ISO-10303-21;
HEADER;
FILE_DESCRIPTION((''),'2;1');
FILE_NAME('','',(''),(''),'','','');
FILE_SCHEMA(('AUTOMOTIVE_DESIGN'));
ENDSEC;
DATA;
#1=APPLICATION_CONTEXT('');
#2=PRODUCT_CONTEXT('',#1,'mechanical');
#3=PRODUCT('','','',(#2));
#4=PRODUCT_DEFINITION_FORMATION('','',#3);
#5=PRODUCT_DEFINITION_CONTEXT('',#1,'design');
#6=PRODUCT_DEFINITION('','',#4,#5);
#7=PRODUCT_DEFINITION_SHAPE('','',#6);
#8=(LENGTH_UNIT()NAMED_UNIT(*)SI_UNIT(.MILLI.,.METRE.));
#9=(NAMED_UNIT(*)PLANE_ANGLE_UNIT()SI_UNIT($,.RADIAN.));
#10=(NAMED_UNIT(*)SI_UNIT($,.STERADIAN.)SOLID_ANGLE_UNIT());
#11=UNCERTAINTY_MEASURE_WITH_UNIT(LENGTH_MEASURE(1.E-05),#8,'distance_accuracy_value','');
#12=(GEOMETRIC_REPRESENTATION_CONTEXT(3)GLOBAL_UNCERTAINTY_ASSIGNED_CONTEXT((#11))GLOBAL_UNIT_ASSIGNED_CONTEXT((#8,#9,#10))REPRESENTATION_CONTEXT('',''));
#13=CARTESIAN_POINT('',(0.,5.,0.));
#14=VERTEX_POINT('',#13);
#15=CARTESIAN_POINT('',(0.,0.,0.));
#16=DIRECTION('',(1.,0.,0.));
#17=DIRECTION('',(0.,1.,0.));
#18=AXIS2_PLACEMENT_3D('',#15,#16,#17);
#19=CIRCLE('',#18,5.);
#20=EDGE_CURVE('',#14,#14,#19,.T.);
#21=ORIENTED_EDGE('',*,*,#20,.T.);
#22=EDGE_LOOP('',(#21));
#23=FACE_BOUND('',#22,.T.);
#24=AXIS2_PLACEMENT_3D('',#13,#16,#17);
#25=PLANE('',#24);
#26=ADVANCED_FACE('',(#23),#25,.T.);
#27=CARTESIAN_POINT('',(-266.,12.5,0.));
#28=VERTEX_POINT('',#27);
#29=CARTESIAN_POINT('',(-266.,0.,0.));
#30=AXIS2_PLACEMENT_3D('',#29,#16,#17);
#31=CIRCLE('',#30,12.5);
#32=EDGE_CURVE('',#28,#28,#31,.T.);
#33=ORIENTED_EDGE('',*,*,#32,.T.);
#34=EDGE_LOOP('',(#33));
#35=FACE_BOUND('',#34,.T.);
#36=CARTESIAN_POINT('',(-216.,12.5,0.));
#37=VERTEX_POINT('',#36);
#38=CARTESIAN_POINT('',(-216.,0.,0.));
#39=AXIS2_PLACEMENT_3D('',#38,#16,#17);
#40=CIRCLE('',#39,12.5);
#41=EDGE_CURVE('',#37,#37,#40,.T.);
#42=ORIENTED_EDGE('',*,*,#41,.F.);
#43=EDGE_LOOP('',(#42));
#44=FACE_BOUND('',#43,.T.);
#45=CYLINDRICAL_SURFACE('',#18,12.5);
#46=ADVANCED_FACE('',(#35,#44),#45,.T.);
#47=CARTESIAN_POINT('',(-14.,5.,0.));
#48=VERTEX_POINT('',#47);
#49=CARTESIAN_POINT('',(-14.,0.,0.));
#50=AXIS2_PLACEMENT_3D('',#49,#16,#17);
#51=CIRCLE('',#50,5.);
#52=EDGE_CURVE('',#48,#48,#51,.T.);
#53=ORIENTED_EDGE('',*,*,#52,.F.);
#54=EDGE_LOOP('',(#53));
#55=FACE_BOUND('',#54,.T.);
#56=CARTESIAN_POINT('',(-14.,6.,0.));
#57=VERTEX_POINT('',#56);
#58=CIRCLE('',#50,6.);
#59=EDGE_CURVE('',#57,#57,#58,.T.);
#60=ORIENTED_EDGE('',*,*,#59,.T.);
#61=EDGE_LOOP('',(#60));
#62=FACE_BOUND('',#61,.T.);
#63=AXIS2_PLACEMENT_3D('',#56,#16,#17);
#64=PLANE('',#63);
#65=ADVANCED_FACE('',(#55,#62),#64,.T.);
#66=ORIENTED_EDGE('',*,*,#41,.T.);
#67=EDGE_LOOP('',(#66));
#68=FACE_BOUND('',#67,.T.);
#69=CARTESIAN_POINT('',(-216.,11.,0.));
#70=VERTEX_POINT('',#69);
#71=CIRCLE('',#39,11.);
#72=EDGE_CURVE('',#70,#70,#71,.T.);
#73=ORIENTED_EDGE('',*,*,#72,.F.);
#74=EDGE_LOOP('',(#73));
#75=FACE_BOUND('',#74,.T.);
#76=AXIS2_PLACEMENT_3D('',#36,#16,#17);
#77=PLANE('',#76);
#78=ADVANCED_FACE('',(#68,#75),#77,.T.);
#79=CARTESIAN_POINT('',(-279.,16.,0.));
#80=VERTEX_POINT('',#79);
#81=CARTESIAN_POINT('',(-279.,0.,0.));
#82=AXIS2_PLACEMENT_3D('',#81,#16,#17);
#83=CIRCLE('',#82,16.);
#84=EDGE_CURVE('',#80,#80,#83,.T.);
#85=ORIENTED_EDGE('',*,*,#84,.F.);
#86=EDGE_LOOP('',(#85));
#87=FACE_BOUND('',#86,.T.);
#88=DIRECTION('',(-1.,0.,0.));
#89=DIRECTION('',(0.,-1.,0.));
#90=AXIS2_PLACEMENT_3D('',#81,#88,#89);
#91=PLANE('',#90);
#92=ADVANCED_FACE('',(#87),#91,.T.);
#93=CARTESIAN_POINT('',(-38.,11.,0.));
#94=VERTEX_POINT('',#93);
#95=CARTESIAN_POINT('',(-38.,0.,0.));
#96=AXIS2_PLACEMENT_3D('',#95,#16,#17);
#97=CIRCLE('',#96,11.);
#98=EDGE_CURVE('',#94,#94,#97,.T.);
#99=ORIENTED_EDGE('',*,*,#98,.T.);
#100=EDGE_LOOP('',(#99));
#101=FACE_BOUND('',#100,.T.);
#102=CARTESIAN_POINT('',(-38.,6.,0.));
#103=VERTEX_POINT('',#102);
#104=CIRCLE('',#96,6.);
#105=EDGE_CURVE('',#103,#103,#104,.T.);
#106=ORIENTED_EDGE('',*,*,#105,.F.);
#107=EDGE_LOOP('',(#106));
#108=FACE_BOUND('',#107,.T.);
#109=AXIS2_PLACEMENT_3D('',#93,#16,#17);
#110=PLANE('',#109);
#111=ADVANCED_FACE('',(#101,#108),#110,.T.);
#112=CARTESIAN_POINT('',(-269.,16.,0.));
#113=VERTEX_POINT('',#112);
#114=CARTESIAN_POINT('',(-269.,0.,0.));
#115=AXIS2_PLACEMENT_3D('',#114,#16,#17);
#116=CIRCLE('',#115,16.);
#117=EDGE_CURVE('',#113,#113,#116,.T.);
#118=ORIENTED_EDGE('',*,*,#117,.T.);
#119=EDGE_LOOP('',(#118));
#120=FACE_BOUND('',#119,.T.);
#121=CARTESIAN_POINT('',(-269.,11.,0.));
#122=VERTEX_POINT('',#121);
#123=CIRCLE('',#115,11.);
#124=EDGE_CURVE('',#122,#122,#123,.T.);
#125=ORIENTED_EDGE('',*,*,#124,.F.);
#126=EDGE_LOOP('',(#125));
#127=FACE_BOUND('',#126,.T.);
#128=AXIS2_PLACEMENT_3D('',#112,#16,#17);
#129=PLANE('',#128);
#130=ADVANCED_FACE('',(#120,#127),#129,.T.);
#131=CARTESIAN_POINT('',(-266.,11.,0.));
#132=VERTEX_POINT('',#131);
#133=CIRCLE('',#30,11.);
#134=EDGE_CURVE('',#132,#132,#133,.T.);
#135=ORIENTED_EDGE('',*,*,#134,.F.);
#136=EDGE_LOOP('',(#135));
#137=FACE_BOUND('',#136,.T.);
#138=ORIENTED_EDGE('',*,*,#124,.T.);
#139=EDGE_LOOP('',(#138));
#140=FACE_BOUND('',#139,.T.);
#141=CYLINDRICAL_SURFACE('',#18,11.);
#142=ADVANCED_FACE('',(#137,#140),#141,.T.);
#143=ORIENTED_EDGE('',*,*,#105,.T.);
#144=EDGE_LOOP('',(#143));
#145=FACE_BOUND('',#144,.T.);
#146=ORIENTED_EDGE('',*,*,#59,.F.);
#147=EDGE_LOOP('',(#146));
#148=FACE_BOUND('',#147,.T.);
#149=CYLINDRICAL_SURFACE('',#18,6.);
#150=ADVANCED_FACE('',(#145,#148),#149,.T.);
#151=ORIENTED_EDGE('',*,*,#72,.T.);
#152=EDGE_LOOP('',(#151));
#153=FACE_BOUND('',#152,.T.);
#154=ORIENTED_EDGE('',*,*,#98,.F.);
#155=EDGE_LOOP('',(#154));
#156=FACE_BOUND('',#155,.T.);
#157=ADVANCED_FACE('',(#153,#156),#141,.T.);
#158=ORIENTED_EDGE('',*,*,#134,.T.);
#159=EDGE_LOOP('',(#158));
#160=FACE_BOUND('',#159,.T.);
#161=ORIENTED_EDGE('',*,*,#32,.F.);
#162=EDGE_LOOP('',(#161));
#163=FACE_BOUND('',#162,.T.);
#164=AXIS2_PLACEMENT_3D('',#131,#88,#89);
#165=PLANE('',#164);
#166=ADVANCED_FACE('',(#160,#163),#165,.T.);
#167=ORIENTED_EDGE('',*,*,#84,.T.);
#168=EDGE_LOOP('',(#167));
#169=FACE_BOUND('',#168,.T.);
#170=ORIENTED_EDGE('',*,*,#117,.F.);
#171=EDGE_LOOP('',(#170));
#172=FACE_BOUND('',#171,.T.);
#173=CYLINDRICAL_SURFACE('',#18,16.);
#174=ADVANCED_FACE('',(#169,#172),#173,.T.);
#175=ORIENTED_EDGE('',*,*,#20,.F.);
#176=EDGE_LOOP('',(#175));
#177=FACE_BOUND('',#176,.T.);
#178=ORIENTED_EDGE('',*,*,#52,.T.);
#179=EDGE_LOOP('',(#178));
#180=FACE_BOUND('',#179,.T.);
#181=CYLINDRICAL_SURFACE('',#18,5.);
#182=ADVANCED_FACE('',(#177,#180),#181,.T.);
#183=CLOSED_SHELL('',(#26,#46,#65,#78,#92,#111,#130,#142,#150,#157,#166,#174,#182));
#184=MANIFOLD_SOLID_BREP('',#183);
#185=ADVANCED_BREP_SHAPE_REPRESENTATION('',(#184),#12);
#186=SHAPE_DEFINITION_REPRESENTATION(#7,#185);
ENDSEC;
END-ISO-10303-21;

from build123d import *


with BuildPart() as part:
    # Schizzo1 → Rivoluzione1 (revolve)
    with BuildSketch(Plane.XY):
        Polygon((-279, 0), (-279, 16), (-269, 16), (-269, 11), (-266, 11), (-266, 12.5), (-216, 12.5), (-216, 11), (-38, 11), (-38, 6), (-14, 6), (-14, 5), (0, 5), (0, 0), align=None)
    revolve(axis=Axis((0, 0, 0), (-1, 0, 0)))


solid = part.part
